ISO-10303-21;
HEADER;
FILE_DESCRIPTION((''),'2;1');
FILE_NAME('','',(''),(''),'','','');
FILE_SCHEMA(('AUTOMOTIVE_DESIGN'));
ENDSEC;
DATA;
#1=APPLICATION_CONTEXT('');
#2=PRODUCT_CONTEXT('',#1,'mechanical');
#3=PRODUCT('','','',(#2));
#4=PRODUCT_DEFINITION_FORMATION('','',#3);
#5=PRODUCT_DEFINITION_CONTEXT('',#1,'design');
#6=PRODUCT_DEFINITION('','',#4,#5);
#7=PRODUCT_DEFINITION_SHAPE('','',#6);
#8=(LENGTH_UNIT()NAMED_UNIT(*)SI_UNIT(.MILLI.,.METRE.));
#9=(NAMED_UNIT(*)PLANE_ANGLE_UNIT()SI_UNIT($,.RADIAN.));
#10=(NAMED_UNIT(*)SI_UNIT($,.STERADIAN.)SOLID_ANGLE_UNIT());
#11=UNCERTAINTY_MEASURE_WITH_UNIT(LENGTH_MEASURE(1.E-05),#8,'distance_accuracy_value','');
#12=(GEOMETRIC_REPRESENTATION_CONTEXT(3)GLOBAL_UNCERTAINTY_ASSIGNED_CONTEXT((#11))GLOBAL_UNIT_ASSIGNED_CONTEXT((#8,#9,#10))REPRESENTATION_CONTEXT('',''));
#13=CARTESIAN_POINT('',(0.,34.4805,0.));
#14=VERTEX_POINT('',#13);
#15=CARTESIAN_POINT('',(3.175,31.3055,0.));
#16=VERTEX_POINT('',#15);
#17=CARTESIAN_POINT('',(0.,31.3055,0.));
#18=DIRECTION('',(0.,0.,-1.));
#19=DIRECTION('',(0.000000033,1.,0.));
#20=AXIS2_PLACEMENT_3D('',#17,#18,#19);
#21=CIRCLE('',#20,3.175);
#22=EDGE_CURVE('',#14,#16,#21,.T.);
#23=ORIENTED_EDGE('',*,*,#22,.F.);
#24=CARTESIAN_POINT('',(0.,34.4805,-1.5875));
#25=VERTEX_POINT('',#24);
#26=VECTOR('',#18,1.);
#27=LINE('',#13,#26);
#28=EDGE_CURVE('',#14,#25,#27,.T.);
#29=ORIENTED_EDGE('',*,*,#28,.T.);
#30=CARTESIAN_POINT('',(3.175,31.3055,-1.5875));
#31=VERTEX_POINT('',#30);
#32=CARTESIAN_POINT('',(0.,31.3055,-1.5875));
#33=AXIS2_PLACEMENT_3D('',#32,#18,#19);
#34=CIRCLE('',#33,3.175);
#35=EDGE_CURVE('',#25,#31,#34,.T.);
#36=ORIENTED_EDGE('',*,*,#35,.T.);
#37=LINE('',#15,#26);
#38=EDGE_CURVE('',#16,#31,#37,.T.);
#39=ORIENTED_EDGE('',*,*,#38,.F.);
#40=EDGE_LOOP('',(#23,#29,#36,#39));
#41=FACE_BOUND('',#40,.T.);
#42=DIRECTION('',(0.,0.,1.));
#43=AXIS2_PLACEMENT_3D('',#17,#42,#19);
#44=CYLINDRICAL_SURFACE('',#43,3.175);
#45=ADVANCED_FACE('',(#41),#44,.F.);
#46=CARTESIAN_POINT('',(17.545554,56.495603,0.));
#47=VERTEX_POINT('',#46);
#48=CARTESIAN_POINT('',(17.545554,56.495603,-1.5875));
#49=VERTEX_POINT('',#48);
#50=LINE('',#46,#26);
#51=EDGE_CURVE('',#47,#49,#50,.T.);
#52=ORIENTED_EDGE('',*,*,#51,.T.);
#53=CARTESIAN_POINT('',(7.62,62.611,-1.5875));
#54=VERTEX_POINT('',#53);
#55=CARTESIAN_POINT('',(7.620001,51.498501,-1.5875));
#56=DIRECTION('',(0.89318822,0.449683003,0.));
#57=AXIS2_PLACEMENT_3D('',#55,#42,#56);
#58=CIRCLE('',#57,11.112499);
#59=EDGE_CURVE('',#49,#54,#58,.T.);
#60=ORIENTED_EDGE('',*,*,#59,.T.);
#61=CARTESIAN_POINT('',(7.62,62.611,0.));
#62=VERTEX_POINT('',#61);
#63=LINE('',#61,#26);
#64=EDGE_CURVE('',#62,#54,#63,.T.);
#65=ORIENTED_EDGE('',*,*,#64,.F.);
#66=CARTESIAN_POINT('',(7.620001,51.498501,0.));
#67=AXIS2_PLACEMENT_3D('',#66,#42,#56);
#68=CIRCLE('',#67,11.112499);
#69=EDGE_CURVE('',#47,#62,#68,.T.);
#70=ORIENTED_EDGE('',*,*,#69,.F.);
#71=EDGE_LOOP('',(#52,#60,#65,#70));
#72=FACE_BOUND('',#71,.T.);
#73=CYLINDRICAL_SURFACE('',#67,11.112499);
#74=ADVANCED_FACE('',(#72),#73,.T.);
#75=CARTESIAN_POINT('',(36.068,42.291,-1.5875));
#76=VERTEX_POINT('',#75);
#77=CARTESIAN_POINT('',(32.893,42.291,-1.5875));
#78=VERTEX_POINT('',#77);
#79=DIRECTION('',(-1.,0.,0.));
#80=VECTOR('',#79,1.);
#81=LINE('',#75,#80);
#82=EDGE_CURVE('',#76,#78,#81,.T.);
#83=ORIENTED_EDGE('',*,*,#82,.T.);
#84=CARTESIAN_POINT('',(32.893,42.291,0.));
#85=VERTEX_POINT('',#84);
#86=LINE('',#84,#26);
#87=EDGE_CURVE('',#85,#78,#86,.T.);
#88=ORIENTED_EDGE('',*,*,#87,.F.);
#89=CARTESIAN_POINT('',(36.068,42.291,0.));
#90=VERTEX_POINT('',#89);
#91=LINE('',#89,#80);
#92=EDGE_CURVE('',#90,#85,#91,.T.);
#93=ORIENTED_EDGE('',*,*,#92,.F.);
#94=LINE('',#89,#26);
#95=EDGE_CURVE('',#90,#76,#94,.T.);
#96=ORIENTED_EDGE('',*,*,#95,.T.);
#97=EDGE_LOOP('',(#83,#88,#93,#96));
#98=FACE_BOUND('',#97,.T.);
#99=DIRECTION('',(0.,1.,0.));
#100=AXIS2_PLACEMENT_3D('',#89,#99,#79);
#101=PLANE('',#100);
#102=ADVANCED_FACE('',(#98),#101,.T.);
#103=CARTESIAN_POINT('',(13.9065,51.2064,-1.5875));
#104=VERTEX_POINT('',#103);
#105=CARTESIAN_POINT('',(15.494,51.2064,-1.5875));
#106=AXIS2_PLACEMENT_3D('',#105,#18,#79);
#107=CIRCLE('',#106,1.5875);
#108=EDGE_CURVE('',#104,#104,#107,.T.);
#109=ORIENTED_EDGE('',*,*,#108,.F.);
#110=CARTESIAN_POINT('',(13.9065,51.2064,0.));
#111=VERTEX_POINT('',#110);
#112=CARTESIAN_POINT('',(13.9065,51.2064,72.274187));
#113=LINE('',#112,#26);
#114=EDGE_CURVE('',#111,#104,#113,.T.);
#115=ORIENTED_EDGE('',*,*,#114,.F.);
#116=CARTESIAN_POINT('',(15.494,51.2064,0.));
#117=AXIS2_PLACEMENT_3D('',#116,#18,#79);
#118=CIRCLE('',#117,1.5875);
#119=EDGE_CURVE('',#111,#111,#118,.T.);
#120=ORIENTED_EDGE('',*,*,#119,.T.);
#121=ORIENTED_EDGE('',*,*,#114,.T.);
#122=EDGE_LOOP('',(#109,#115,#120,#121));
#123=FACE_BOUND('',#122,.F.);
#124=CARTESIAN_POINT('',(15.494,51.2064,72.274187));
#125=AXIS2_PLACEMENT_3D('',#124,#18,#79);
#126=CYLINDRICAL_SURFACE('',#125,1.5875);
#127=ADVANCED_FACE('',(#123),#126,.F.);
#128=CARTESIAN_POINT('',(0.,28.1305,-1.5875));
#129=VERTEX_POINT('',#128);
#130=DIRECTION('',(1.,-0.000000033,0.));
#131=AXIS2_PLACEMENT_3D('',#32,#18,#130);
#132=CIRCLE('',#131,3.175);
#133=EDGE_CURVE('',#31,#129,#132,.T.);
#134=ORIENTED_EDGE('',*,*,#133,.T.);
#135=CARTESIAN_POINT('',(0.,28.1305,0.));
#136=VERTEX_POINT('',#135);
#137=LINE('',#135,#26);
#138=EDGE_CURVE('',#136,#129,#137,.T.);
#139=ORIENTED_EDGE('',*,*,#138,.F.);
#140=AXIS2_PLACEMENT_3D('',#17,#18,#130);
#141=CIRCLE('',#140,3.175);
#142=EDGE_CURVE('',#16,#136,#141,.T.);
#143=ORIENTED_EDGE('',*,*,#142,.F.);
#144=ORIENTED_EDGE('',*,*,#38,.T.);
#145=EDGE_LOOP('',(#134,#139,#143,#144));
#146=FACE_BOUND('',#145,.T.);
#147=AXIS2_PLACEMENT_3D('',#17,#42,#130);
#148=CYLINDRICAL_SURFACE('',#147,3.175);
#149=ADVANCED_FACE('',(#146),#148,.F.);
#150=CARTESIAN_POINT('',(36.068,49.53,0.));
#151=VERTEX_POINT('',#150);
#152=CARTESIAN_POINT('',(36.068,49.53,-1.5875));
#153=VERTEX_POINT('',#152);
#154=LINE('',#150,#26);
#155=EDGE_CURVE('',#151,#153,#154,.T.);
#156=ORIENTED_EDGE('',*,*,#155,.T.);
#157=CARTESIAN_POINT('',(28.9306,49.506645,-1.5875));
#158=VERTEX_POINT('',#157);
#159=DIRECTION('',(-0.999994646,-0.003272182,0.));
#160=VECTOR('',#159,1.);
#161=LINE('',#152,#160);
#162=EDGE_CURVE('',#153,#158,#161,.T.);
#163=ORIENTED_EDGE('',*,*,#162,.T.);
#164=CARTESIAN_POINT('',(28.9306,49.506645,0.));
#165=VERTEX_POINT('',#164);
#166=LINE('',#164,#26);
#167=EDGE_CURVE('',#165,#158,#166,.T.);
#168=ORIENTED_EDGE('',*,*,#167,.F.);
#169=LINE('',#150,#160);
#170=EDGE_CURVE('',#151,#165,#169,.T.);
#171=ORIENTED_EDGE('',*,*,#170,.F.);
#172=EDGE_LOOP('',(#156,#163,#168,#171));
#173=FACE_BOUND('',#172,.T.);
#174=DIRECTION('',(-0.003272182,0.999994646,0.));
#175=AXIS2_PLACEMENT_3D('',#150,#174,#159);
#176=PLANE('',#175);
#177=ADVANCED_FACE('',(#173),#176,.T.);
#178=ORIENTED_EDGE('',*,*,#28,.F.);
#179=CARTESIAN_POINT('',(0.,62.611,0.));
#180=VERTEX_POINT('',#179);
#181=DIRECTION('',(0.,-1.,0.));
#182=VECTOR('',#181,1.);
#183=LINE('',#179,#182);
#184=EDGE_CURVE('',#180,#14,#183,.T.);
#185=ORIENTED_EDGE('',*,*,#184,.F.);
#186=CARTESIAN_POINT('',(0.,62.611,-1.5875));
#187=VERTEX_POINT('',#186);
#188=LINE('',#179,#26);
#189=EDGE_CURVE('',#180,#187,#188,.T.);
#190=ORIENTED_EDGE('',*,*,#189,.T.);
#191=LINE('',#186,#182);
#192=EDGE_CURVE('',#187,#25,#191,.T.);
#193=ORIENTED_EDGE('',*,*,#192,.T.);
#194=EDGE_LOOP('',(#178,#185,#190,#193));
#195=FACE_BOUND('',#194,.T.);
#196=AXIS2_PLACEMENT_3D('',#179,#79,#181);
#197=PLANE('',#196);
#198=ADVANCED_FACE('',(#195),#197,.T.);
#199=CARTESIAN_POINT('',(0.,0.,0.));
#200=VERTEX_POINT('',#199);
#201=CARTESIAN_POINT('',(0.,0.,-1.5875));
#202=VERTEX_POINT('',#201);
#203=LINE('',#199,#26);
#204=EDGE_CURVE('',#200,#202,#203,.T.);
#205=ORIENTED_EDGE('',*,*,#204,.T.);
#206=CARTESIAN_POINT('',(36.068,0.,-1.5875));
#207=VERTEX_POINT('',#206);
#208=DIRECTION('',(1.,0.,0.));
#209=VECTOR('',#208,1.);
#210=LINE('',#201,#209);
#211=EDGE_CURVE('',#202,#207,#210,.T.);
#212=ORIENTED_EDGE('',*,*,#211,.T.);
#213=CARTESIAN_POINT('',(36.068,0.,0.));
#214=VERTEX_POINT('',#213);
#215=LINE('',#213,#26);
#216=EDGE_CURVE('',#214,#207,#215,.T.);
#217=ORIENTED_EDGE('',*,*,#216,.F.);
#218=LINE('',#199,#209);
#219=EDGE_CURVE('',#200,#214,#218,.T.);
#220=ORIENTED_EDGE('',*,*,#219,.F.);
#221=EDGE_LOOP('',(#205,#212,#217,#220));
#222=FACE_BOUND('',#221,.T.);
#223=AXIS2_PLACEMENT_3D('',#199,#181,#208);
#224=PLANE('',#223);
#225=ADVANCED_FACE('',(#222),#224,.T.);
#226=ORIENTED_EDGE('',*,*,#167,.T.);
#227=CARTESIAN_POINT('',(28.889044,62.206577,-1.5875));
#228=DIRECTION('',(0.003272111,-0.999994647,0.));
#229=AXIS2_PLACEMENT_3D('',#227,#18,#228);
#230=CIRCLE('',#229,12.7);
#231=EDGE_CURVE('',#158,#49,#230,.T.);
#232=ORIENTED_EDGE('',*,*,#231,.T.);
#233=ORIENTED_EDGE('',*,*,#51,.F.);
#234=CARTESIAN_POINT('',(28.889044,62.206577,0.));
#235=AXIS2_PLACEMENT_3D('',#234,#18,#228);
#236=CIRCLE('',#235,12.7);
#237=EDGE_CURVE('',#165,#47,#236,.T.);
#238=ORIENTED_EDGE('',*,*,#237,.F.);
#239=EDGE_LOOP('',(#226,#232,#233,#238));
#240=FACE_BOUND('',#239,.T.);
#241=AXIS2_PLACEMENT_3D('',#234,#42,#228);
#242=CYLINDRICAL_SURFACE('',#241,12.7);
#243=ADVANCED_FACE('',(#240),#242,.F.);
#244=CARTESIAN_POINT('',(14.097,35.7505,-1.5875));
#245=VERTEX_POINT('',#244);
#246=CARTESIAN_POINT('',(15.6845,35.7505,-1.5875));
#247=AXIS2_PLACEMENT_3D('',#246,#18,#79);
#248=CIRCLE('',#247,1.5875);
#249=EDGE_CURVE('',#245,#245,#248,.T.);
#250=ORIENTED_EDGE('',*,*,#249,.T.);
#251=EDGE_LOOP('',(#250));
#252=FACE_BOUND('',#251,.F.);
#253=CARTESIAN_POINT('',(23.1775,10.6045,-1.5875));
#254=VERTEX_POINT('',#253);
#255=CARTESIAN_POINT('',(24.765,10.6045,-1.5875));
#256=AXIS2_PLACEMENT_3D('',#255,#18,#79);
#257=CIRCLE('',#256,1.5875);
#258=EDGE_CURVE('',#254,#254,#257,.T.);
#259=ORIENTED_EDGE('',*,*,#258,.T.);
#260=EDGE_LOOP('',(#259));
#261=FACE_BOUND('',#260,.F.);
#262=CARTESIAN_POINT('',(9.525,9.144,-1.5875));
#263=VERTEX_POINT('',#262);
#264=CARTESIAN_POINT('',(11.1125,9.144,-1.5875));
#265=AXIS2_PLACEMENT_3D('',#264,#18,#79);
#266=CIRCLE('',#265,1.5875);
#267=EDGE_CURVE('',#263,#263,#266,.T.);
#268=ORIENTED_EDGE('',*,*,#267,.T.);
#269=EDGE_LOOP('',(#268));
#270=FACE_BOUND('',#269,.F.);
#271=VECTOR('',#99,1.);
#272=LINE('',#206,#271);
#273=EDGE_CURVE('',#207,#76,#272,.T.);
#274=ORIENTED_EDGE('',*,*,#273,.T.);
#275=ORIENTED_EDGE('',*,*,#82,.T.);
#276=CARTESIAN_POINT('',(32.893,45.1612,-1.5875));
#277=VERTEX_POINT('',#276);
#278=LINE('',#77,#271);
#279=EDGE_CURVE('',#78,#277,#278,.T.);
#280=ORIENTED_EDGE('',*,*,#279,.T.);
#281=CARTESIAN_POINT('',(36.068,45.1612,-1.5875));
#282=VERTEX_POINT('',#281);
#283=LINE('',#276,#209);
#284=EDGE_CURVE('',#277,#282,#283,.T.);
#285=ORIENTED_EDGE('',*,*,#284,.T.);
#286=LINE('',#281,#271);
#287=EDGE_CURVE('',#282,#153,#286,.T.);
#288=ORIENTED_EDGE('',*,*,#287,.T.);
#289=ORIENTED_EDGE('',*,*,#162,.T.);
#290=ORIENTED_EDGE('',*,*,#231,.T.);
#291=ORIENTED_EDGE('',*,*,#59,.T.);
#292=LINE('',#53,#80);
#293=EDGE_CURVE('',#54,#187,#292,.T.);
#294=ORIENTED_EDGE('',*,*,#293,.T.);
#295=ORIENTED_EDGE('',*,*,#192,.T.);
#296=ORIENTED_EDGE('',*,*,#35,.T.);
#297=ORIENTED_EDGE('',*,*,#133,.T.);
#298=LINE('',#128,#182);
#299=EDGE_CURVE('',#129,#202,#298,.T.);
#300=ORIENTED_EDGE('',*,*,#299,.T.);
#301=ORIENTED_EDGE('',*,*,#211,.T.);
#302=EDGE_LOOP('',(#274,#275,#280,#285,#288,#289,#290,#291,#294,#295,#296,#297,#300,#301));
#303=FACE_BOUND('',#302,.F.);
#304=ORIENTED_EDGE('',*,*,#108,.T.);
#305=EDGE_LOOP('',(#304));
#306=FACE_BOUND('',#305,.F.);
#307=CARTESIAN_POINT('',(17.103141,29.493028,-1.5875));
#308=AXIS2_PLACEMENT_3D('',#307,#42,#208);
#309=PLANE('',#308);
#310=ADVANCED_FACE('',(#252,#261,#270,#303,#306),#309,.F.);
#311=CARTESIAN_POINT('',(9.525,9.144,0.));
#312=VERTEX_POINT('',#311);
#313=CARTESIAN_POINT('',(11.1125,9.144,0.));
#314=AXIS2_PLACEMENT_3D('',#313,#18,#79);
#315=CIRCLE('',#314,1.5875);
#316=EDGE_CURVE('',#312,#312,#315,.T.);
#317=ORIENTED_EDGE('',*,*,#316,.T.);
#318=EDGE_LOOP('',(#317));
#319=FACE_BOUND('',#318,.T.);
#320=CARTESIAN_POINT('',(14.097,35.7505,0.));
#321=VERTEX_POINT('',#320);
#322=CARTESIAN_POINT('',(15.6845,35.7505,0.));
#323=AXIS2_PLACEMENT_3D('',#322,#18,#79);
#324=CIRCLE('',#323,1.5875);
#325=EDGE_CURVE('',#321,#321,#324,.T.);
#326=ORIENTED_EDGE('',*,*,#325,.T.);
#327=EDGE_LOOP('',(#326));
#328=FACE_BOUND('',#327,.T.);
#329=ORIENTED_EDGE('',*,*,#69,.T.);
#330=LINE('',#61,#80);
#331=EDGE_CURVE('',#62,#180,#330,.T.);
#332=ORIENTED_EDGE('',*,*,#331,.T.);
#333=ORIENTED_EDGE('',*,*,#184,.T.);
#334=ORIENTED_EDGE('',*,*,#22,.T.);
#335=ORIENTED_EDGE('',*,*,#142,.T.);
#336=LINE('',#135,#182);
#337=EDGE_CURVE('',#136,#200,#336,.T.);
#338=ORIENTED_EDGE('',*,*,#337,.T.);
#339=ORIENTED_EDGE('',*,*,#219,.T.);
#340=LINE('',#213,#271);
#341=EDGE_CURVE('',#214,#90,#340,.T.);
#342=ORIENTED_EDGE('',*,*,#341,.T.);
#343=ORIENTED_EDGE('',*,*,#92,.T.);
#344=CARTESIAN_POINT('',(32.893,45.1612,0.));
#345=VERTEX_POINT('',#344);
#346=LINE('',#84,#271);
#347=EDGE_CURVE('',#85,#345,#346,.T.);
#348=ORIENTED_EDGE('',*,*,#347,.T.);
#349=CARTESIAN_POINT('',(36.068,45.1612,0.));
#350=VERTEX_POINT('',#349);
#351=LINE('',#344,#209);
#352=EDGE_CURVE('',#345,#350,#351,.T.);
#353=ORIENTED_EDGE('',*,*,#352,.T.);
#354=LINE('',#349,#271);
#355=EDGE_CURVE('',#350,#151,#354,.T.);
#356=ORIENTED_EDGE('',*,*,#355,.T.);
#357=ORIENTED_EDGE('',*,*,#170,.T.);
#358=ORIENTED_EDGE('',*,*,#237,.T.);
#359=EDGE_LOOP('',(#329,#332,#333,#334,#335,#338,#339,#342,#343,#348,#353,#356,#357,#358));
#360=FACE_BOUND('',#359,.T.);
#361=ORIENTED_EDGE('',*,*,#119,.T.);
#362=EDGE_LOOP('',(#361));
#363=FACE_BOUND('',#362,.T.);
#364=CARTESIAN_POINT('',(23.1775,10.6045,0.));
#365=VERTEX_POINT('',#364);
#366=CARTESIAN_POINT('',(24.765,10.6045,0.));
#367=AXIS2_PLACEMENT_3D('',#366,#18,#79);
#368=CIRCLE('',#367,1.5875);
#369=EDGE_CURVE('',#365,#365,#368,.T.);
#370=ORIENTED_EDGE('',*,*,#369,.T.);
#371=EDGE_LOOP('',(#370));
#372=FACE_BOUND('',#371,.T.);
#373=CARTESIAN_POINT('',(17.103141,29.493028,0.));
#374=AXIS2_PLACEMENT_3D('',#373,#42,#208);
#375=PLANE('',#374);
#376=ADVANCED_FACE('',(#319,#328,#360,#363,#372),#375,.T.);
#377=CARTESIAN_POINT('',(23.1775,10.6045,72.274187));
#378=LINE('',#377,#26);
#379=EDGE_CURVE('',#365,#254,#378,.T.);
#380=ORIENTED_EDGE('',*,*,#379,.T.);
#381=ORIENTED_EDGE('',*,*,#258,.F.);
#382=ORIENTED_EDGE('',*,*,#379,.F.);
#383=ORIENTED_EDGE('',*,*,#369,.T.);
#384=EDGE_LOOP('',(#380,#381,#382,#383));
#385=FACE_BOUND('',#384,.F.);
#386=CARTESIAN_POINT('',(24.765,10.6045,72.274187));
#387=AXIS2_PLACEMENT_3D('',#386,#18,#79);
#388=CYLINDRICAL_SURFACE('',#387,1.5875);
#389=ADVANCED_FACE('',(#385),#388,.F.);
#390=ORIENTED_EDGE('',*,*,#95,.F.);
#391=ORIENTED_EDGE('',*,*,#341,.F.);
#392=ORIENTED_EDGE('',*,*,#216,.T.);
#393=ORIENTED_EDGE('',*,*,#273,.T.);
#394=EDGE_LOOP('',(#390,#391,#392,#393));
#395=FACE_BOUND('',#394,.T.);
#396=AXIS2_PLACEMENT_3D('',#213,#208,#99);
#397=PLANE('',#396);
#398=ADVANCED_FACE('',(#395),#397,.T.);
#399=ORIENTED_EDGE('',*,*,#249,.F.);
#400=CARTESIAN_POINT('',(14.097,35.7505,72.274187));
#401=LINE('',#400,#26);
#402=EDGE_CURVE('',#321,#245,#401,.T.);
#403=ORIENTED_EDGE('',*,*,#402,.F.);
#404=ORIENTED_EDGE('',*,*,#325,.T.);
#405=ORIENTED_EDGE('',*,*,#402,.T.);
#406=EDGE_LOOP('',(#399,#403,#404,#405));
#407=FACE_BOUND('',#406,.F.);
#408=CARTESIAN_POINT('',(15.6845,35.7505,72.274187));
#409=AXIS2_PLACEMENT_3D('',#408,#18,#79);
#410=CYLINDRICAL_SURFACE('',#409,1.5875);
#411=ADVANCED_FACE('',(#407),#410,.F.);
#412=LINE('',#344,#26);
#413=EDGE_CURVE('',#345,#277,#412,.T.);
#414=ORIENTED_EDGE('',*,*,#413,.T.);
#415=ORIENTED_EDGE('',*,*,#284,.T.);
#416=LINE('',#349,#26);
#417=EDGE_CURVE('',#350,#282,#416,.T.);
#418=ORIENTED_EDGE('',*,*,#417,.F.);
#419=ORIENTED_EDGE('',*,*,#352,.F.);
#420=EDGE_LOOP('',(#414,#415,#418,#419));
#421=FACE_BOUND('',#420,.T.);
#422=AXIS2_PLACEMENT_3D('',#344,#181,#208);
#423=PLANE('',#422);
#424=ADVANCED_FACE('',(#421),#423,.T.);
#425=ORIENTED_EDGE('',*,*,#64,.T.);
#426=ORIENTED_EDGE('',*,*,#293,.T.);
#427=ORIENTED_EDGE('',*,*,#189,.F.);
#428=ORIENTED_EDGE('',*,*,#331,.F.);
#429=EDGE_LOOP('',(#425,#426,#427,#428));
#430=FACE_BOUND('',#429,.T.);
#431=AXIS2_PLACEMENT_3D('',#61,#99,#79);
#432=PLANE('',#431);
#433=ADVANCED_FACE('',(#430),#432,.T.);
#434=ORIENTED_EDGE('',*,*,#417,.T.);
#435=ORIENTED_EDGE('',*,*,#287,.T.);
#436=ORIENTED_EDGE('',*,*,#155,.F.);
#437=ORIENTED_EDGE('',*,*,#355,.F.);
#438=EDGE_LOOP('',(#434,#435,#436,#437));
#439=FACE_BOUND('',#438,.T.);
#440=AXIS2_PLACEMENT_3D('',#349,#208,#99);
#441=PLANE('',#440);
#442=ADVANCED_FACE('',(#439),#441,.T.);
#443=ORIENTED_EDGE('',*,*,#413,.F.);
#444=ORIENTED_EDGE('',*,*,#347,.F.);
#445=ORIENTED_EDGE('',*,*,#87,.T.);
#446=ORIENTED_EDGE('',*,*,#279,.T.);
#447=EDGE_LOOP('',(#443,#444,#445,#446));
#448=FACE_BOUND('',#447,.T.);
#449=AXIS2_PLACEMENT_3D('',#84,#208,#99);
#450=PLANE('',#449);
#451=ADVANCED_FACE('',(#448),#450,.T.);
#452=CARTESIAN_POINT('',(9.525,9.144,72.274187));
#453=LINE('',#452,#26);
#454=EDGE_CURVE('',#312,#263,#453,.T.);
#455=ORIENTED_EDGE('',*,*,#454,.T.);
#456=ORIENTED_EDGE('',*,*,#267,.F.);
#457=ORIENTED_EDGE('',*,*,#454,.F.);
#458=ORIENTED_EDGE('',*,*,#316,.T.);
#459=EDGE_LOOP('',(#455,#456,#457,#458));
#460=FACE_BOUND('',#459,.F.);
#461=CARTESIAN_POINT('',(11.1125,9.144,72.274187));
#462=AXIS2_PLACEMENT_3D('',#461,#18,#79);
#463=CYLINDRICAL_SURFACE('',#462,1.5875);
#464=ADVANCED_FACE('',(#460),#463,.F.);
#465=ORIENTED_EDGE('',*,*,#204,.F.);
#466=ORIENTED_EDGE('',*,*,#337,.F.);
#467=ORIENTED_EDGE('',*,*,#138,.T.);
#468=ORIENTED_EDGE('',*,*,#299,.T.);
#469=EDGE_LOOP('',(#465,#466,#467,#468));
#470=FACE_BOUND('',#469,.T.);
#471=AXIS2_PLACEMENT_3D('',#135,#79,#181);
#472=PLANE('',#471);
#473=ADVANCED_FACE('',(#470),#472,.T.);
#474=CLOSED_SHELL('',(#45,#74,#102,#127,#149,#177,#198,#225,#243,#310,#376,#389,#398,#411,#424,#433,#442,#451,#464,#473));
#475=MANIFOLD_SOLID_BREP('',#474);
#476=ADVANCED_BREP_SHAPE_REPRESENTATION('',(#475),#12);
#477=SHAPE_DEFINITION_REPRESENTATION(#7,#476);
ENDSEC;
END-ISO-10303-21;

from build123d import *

# Parameters (mm, degrees)
F1_DEPTH = 1.5875
F2_D     = 3.175


with BuildPart() as f1:
    # F0 (on Top) → F1 (new body)
    with BuildSketch(Plane.XY):
        with BuildLine():
            Line((0, 28.1305), (0, 0))
            Line((0, 0), (36.068, 0))
            Line((36.068, 0), (36.068, 42.291))
            Line((36.068, 42.291), (32.893, 42.291))
            Line((32.893, 42.291), (32.893, 45.1612))
            Line((32.893, 45.1612), (36.068, 45.1612))
            Line((36.068, 45.1612), (36.068, 49.53))
            Line((36.068, 49.53), (28.9306, 49.506645))
            ThreePointArc((28.9306, 49.506645), (22.244888, 51.383214), (17.545554, 56.495603))
            ThreePointArc((17.545554, 56.495603), (13.449123, 60.959419), (7.62, 62.611))
            Line((7.62, 62.611), (0, 62.611))
            Line((0, 62.611), (0, 34.4805))
            ThreePointArc((0, 34.4805), (2.245064, 33.550564), (3.175, 31.3055))
            ThreePointArc((3.175, 31.3055), (2.245064, 29.060436), (0, 28.1305))
        make_face()
    extrude(amount=-F1_DEPTH)

    # F2 (through all)
    with Locations(Plane.XY):
        with Locations((15.494, 51.2064), (15.6845, 35.7505), (11.1125, 9.144), (24.765, 10.6045)):
            Hole(F2_D / 2)


solid = f1.part
